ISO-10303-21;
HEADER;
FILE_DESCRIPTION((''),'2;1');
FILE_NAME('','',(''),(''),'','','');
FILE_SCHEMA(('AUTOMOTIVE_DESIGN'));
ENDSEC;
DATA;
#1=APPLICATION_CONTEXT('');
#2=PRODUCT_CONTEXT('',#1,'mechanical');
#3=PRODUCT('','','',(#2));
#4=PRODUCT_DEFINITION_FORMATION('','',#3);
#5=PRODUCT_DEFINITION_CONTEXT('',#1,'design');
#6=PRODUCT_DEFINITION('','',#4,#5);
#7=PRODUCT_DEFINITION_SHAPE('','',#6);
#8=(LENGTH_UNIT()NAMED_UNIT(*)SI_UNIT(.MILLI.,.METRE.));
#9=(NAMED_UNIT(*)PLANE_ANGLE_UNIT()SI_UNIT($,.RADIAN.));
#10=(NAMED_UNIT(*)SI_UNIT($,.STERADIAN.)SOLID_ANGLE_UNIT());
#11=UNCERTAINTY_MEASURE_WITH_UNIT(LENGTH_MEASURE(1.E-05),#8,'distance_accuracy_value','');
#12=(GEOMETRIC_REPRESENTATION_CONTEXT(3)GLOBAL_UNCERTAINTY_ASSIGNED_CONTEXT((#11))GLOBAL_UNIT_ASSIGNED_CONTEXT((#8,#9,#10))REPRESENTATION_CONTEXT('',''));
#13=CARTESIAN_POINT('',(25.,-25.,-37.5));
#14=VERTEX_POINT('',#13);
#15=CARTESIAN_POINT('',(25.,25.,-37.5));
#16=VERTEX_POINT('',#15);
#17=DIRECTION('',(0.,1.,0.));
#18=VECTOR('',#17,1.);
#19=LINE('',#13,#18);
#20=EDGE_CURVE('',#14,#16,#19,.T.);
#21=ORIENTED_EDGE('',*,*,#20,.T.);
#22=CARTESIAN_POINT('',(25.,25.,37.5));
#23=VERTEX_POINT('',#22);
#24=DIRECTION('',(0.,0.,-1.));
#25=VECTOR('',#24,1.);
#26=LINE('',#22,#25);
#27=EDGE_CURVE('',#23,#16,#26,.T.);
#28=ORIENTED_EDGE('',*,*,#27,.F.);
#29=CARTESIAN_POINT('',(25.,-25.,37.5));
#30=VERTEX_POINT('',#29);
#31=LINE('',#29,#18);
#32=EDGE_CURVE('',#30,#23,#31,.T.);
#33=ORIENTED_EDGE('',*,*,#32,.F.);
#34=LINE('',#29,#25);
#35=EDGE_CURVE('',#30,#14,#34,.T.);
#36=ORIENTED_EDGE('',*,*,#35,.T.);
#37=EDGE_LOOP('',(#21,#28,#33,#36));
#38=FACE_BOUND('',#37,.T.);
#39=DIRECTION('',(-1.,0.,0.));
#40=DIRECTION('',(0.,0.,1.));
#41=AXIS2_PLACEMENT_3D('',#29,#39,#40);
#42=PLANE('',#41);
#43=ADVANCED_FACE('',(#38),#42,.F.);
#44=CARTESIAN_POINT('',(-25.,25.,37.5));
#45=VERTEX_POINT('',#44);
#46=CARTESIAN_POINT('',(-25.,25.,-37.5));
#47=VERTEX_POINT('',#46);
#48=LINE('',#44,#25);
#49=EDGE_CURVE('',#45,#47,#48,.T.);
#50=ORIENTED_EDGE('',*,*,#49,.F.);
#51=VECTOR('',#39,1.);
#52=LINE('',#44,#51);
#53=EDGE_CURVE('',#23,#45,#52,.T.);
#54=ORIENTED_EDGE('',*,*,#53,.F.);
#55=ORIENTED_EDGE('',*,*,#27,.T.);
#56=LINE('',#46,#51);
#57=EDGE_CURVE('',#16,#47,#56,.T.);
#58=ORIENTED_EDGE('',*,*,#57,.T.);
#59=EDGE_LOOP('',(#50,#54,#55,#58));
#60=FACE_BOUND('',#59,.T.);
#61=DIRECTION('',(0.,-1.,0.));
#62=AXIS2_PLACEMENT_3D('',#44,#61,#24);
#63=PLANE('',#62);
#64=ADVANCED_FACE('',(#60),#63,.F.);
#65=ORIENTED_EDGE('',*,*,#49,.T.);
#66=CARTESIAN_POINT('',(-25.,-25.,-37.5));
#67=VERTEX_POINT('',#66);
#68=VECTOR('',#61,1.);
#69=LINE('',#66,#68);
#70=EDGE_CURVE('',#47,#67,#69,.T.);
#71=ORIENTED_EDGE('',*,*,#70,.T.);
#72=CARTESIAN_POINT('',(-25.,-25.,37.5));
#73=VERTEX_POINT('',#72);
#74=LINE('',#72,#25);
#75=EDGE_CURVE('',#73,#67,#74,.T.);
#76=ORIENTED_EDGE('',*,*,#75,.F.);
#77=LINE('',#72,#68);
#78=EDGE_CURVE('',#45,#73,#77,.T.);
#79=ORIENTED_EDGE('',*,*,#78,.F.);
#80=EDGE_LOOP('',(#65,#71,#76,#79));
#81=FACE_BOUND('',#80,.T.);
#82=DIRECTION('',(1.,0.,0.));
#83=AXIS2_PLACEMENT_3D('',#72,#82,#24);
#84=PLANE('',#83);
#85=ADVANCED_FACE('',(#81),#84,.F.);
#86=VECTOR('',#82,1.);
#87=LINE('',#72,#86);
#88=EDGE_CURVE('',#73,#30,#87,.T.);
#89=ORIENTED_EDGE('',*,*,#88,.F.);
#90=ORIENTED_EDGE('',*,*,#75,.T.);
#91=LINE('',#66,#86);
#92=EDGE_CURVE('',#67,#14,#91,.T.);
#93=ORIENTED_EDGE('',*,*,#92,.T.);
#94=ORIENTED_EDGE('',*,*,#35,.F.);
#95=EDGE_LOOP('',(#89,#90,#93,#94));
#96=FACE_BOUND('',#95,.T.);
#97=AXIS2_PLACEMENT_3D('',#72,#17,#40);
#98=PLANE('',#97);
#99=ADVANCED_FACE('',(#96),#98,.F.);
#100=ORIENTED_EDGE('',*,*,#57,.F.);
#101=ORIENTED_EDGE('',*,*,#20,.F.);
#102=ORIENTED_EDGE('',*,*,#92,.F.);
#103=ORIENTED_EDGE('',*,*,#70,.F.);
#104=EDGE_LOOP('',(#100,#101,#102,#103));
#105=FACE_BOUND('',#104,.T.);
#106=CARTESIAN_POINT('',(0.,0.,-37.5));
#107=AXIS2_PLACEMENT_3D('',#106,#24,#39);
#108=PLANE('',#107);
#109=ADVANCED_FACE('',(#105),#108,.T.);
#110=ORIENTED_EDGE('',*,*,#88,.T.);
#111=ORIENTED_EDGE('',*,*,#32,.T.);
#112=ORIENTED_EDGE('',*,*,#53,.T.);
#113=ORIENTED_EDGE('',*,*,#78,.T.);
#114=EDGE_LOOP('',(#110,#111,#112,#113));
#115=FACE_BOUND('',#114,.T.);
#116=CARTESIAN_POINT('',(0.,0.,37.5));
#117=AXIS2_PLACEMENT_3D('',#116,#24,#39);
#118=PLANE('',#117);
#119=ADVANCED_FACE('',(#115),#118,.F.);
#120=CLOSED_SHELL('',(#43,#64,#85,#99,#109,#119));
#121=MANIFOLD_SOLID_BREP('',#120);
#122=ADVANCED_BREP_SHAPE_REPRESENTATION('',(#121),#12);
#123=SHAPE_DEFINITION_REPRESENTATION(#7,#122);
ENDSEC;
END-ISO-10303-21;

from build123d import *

# Parameters (mm, degrees)
SKETCH1_W           = 50
SKETCH1_H           = 50
BOSS_EXTRUDE1_DEPTH = 37.5


with BuildPart() as part:
    # Sketch1 → Boss-Extrude1 (new body, symmetric)
    with BuildSketch(Plane.XY):
        Rectangle(SKETCH1_W, SKETCH1_H)
    extrude(amount=BOSS_EXTRUDE1_DEPTH, both=True)


solid = part.part
